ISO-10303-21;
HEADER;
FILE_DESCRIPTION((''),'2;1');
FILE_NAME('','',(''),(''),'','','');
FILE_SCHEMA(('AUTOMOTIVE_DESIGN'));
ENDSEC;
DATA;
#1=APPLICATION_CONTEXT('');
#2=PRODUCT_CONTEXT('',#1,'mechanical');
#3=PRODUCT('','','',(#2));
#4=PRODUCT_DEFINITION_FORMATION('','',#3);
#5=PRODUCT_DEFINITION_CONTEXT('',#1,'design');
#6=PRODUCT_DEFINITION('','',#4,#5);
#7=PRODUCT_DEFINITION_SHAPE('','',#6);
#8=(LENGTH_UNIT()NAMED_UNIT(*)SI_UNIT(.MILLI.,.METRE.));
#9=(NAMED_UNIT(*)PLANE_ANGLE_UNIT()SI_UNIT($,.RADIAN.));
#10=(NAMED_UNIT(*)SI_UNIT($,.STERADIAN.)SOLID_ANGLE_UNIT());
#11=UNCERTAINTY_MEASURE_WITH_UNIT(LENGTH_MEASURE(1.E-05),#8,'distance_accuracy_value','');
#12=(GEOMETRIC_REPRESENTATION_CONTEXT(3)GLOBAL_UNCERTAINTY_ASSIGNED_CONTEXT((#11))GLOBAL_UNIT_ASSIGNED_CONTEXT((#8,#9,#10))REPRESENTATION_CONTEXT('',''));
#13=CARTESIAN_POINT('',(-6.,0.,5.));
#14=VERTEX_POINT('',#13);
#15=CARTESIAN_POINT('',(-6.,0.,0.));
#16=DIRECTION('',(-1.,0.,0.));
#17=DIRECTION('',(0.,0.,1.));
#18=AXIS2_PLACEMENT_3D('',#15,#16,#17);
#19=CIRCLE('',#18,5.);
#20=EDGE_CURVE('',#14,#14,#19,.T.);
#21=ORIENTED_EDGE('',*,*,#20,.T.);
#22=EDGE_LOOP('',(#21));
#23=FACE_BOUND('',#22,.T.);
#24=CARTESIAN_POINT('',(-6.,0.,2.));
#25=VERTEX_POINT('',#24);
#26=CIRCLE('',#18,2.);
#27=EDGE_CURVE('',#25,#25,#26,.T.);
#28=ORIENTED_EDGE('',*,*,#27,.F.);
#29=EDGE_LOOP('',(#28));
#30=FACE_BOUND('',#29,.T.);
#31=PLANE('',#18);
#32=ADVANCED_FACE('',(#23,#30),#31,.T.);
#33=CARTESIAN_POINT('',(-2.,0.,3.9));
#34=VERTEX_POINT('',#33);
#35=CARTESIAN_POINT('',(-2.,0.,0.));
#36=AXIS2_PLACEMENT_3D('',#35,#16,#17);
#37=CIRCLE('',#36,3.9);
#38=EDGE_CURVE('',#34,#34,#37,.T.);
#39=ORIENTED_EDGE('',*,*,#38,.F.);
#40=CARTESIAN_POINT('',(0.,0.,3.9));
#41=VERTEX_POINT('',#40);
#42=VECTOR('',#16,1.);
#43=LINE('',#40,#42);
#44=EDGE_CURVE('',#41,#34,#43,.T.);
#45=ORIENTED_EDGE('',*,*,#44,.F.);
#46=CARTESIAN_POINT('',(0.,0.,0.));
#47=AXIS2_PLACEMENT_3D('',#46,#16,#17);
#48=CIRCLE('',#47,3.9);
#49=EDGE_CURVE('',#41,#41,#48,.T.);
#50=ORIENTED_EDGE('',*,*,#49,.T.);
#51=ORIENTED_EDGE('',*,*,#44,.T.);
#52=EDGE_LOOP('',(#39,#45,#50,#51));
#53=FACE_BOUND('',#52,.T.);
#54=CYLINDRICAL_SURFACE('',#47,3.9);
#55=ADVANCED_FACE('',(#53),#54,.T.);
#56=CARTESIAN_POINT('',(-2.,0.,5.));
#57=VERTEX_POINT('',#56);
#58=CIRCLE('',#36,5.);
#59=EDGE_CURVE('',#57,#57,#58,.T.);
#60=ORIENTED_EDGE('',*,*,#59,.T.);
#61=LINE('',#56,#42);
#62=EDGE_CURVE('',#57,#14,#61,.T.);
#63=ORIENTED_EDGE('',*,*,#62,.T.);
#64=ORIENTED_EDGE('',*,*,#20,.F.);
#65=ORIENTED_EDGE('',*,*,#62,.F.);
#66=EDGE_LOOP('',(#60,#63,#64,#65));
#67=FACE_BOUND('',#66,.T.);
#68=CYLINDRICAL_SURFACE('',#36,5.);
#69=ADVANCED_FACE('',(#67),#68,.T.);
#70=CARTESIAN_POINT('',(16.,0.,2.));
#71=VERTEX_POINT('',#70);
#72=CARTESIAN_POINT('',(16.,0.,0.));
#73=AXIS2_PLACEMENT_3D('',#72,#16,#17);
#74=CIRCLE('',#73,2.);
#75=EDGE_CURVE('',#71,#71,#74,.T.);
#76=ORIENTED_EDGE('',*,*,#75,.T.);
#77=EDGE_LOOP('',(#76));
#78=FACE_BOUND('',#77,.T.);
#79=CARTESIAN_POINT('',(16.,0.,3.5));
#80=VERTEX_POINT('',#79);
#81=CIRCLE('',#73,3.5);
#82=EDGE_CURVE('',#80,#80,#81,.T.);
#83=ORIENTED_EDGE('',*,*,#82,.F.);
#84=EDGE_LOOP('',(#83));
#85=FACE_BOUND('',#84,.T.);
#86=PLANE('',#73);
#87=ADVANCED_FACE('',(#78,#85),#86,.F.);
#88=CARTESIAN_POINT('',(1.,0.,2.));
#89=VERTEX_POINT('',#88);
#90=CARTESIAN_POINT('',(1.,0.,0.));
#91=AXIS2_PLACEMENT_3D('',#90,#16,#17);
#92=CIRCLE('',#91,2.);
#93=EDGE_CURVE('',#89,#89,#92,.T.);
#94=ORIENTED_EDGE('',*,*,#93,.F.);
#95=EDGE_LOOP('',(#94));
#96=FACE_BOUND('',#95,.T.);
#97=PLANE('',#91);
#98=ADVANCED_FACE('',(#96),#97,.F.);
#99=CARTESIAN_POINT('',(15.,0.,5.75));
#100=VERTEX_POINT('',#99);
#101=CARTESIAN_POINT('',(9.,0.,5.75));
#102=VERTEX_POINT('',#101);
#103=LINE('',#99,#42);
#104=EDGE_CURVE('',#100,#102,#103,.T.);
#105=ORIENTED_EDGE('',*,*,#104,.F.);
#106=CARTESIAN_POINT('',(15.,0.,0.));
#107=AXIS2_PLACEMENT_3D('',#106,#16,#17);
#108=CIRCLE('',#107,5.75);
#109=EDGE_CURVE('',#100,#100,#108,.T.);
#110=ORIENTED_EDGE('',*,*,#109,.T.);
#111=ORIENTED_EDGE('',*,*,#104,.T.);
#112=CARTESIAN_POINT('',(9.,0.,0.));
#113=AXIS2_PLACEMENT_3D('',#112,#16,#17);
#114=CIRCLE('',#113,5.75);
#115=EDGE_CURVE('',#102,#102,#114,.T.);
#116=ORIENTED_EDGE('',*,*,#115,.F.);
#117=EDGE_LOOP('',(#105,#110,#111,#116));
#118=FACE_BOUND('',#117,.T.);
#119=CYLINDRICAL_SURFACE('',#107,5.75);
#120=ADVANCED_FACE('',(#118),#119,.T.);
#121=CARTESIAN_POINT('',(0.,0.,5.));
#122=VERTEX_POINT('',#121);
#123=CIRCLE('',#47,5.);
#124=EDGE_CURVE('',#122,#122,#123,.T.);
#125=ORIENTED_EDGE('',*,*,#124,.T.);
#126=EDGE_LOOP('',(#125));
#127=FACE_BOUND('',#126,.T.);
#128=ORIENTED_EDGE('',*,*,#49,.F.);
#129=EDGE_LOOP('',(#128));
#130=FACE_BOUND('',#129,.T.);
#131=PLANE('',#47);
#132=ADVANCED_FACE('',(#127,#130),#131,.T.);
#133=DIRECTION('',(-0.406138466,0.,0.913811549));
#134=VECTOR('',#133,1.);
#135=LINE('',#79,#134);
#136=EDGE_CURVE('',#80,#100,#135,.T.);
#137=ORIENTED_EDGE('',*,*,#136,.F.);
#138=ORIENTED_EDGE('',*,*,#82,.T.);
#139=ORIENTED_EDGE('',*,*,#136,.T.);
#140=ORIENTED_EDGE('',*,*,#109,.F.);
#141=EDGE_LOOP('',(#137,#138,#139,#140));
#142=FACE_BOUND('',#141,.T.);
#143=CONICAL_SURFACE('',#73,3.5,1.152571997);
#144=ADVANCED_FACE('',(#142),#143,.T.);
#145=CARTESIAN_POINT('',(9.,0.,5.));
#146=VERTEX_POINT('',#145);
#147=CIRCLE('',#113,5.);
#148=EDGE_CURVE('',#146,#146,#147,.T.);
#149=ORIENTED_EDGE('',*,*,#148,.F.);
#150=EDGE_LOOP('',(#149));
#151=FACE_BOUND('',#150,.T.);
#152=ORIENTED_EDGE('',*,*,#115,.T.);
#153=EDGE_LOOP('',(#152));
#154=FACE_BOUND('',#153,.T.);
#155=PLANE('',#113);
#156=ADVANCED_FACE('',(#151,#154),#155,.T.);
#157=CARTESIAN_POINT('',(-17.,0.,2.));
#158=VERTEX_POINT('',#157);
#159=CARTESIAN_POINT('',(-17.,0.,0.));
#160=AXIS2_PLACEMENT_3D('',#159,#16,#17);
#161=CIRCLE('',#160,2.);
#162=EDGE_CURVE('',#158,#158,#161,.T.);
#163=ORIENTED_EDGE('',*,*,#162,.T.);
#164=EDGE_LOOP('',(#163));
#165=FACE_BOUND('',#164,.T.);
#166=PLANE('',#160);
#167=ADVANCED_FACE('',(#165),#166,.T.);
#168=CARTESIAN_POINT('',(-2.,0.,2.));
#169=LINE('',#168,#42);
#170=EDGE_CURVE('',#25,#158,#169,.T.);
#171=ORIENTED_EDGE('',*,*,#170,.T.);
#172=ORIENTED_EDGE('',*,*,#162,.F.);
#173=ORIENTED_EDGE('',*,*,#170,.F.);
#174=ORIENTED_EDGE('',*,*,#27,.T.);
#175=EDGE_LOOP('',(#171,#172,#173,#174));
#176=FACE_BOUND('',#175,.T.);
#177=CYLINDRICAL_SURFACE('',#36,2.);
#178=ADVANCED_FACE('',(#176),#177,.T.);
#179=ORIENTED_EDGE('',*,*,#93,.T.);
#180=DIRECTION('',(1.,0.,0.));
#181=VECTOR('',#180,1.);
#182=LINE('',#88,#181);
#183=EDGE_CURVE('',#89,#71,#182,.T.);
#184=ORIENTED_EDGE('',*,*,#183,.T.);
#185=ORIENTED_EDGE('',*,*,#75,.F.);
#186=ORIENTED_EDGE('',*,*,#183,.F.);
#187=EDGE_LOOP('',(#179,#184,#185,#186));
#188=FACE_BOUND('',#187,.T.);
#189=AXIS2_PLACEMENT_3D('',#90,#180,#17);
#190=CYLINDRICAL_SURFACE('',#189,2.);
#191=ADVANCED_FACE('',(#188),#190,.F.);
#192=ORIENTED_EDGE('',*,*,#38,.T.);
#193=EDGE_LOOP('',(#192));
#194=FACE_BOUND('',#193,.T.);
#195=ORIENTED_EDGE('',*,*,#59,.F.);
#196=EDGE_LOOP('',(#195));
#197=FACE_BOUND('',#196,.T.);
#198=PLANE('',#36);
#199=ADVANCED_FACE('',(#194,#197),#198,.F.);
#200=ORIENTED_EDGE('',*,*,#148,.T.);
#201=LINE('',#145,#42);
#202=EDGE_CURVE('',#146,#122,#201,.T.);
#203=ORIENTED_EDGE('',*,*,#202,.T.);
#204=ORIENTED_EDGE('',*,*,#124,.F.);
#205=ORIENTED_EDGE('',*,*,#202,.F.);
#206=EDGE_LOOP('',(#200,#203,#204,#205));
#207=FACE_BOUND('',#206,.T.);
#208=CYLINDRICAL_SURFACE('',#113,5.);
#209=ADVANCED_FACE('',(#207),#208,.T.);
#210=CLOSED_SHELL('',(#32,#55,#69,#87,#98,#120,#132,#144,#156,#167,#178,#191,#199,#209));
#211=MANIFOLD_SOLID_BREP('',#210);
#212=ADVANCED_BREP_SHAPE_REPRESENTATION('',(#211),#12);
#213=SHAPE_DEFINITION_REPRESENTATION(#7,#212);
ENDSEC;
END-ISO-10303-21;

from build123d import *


with BuildPart() as f1:
    # F0 (on Front) → F1 (revolve)
    with BuildSketch(Plane.XZ):
        Polygon((-17, 2), (-17, 0), (1, 0), (1, 2), (16, 2), (16, 3.5), (15, 5.75), (9, 5.75), (9, 5), (0, 5), (0, 3.9), (-2, 3.9), (-2, 2), (-6, 2), align=None)
        Polygon((-6, 5), (-6, 2), (-2, 2), (-2, 3.9), (-2, 5), align=None)
    revolve(axis=Axis((-8, 0, 0), (-1, 0, 0)))


solid = f1.part
